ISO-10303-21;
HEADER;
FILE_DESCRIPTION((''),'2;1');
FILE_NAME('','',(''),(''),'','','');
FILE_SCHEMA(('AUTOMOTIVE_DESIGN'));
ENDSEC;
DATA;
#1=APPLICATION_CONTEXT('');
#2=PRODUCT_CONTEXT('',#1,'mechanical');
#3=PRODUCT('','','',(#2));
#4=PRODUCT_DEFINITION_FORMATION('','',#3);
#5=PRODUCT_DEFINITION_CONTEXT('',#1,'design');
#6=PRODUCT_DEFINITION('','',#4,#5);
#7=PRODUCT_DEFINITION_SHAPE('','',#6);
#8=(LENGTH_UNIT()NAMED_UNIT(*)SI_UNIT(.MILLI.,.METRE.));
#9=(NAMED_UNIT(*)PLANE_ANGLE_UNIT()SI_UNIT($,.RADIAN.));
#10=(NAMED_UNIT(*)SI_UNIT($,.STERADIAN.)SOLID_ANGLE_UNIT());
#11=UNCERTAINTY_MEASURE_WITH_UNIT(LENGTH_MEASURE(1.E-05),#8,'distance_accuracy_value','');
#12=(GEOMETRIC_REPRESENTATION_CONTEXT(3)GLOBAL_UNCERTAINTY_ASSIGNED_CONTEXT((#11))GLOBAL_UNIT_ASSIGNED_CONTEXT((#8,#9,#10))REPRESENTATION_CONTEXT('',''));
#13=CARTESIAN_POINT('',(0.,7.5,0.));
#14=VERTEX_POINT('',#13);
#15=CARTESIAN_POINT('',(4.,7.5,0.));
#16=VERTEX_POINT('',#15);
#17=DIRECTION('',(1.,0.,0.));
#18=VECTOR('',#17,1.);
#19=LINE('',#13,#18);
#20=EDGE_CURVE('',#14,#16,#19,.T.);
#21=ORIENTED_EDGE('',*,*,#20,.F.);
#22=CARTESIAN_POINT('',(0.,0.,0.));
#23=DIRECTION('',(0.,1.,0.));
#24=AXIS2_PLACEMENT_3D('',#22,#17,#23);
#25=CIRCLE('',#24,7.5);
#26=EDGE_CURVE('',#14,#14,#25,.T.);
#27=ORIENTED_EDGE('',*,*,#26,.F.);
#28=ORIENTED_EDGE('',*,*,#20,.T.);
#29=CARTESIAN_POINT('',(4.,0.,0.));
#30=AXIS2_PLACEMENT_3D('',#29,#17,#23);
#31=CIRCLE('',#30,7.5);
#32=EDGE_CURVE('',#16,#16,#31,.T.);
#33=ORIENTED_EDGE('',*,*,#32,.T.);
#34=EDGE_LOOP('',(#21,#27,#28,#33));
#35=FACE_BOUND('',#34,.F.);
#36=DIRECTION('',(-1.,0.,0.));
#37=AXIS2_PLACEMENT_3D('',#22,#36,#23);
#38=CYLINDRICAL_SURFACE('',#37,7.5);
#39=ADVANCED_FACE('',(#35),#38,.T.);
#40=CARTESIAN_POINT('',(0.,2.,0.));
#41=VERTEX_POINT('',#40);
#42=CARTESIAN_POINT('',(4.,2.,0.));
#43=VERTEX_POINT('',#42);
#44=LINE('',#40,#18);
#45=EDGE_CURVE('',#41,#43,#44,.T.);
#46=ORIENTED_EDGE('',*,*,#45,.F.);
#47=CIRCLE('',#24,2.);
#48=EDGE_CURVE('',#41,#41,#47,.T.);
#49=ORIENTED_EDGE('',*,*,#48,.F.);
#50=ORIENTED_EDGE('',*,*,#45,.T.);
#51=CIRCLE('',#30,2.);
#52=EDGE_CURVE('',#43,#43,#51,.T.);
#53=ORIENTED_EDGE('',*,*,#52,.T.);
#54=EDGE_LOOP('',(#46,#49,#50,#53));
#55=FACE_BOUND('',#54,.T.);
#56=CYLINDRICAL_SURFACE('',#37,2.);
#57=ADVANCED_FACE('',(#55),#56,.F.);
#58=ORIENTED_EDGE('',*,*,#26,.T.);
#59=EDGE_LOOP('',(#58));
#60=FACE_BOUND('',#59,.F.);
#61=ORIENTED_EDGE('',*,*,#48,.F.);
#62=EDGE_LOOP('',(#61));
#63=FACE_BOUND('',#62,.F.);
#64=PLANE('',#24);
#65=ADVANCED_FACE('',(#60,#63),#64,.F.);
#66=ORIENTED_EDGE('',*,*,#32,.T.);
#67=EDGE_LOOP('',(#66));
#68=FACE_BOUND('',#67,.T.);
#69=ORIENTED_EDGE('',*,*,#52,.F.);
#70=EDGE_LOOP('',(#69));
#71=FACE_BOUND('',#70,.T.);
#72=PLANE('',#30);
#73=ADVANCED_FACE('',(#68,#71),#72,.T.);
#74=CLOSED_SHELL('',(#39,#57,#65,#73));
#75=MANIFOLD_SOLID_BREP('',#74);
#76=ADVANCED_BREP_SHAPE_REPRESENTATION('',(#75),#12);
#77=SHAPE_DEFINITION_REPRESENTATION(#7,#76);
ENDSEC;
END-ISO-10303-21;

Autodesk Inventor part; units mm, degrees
ref_plane "YZ Plane" through (0, 0, 0) normal (1, 0, 0) x (0, 1, 0)
ref_plane "XZ Plane" through (0, 0, 0) normal (0, 1, 0) x (-1, 0, 0)
ref_plane "XY Plane" through (0, 0, 0) normal (0, 0, 1) x (1, 0, 0)
sketch "Эскиз1" plane through (0, 0, 0) normal (1, 0, 0) x (0, 1, 0)
  circle A0 centre (0, 0) radius 7.5
  circle A1 centre (0, 0) radius 2
  dimension "d0" = 15
  dimension "d1" = 4
extrude "Выдавливание1" add sketch "Эскиз1" along normal blind 4
properties part number "подшипник" material "Титан"
